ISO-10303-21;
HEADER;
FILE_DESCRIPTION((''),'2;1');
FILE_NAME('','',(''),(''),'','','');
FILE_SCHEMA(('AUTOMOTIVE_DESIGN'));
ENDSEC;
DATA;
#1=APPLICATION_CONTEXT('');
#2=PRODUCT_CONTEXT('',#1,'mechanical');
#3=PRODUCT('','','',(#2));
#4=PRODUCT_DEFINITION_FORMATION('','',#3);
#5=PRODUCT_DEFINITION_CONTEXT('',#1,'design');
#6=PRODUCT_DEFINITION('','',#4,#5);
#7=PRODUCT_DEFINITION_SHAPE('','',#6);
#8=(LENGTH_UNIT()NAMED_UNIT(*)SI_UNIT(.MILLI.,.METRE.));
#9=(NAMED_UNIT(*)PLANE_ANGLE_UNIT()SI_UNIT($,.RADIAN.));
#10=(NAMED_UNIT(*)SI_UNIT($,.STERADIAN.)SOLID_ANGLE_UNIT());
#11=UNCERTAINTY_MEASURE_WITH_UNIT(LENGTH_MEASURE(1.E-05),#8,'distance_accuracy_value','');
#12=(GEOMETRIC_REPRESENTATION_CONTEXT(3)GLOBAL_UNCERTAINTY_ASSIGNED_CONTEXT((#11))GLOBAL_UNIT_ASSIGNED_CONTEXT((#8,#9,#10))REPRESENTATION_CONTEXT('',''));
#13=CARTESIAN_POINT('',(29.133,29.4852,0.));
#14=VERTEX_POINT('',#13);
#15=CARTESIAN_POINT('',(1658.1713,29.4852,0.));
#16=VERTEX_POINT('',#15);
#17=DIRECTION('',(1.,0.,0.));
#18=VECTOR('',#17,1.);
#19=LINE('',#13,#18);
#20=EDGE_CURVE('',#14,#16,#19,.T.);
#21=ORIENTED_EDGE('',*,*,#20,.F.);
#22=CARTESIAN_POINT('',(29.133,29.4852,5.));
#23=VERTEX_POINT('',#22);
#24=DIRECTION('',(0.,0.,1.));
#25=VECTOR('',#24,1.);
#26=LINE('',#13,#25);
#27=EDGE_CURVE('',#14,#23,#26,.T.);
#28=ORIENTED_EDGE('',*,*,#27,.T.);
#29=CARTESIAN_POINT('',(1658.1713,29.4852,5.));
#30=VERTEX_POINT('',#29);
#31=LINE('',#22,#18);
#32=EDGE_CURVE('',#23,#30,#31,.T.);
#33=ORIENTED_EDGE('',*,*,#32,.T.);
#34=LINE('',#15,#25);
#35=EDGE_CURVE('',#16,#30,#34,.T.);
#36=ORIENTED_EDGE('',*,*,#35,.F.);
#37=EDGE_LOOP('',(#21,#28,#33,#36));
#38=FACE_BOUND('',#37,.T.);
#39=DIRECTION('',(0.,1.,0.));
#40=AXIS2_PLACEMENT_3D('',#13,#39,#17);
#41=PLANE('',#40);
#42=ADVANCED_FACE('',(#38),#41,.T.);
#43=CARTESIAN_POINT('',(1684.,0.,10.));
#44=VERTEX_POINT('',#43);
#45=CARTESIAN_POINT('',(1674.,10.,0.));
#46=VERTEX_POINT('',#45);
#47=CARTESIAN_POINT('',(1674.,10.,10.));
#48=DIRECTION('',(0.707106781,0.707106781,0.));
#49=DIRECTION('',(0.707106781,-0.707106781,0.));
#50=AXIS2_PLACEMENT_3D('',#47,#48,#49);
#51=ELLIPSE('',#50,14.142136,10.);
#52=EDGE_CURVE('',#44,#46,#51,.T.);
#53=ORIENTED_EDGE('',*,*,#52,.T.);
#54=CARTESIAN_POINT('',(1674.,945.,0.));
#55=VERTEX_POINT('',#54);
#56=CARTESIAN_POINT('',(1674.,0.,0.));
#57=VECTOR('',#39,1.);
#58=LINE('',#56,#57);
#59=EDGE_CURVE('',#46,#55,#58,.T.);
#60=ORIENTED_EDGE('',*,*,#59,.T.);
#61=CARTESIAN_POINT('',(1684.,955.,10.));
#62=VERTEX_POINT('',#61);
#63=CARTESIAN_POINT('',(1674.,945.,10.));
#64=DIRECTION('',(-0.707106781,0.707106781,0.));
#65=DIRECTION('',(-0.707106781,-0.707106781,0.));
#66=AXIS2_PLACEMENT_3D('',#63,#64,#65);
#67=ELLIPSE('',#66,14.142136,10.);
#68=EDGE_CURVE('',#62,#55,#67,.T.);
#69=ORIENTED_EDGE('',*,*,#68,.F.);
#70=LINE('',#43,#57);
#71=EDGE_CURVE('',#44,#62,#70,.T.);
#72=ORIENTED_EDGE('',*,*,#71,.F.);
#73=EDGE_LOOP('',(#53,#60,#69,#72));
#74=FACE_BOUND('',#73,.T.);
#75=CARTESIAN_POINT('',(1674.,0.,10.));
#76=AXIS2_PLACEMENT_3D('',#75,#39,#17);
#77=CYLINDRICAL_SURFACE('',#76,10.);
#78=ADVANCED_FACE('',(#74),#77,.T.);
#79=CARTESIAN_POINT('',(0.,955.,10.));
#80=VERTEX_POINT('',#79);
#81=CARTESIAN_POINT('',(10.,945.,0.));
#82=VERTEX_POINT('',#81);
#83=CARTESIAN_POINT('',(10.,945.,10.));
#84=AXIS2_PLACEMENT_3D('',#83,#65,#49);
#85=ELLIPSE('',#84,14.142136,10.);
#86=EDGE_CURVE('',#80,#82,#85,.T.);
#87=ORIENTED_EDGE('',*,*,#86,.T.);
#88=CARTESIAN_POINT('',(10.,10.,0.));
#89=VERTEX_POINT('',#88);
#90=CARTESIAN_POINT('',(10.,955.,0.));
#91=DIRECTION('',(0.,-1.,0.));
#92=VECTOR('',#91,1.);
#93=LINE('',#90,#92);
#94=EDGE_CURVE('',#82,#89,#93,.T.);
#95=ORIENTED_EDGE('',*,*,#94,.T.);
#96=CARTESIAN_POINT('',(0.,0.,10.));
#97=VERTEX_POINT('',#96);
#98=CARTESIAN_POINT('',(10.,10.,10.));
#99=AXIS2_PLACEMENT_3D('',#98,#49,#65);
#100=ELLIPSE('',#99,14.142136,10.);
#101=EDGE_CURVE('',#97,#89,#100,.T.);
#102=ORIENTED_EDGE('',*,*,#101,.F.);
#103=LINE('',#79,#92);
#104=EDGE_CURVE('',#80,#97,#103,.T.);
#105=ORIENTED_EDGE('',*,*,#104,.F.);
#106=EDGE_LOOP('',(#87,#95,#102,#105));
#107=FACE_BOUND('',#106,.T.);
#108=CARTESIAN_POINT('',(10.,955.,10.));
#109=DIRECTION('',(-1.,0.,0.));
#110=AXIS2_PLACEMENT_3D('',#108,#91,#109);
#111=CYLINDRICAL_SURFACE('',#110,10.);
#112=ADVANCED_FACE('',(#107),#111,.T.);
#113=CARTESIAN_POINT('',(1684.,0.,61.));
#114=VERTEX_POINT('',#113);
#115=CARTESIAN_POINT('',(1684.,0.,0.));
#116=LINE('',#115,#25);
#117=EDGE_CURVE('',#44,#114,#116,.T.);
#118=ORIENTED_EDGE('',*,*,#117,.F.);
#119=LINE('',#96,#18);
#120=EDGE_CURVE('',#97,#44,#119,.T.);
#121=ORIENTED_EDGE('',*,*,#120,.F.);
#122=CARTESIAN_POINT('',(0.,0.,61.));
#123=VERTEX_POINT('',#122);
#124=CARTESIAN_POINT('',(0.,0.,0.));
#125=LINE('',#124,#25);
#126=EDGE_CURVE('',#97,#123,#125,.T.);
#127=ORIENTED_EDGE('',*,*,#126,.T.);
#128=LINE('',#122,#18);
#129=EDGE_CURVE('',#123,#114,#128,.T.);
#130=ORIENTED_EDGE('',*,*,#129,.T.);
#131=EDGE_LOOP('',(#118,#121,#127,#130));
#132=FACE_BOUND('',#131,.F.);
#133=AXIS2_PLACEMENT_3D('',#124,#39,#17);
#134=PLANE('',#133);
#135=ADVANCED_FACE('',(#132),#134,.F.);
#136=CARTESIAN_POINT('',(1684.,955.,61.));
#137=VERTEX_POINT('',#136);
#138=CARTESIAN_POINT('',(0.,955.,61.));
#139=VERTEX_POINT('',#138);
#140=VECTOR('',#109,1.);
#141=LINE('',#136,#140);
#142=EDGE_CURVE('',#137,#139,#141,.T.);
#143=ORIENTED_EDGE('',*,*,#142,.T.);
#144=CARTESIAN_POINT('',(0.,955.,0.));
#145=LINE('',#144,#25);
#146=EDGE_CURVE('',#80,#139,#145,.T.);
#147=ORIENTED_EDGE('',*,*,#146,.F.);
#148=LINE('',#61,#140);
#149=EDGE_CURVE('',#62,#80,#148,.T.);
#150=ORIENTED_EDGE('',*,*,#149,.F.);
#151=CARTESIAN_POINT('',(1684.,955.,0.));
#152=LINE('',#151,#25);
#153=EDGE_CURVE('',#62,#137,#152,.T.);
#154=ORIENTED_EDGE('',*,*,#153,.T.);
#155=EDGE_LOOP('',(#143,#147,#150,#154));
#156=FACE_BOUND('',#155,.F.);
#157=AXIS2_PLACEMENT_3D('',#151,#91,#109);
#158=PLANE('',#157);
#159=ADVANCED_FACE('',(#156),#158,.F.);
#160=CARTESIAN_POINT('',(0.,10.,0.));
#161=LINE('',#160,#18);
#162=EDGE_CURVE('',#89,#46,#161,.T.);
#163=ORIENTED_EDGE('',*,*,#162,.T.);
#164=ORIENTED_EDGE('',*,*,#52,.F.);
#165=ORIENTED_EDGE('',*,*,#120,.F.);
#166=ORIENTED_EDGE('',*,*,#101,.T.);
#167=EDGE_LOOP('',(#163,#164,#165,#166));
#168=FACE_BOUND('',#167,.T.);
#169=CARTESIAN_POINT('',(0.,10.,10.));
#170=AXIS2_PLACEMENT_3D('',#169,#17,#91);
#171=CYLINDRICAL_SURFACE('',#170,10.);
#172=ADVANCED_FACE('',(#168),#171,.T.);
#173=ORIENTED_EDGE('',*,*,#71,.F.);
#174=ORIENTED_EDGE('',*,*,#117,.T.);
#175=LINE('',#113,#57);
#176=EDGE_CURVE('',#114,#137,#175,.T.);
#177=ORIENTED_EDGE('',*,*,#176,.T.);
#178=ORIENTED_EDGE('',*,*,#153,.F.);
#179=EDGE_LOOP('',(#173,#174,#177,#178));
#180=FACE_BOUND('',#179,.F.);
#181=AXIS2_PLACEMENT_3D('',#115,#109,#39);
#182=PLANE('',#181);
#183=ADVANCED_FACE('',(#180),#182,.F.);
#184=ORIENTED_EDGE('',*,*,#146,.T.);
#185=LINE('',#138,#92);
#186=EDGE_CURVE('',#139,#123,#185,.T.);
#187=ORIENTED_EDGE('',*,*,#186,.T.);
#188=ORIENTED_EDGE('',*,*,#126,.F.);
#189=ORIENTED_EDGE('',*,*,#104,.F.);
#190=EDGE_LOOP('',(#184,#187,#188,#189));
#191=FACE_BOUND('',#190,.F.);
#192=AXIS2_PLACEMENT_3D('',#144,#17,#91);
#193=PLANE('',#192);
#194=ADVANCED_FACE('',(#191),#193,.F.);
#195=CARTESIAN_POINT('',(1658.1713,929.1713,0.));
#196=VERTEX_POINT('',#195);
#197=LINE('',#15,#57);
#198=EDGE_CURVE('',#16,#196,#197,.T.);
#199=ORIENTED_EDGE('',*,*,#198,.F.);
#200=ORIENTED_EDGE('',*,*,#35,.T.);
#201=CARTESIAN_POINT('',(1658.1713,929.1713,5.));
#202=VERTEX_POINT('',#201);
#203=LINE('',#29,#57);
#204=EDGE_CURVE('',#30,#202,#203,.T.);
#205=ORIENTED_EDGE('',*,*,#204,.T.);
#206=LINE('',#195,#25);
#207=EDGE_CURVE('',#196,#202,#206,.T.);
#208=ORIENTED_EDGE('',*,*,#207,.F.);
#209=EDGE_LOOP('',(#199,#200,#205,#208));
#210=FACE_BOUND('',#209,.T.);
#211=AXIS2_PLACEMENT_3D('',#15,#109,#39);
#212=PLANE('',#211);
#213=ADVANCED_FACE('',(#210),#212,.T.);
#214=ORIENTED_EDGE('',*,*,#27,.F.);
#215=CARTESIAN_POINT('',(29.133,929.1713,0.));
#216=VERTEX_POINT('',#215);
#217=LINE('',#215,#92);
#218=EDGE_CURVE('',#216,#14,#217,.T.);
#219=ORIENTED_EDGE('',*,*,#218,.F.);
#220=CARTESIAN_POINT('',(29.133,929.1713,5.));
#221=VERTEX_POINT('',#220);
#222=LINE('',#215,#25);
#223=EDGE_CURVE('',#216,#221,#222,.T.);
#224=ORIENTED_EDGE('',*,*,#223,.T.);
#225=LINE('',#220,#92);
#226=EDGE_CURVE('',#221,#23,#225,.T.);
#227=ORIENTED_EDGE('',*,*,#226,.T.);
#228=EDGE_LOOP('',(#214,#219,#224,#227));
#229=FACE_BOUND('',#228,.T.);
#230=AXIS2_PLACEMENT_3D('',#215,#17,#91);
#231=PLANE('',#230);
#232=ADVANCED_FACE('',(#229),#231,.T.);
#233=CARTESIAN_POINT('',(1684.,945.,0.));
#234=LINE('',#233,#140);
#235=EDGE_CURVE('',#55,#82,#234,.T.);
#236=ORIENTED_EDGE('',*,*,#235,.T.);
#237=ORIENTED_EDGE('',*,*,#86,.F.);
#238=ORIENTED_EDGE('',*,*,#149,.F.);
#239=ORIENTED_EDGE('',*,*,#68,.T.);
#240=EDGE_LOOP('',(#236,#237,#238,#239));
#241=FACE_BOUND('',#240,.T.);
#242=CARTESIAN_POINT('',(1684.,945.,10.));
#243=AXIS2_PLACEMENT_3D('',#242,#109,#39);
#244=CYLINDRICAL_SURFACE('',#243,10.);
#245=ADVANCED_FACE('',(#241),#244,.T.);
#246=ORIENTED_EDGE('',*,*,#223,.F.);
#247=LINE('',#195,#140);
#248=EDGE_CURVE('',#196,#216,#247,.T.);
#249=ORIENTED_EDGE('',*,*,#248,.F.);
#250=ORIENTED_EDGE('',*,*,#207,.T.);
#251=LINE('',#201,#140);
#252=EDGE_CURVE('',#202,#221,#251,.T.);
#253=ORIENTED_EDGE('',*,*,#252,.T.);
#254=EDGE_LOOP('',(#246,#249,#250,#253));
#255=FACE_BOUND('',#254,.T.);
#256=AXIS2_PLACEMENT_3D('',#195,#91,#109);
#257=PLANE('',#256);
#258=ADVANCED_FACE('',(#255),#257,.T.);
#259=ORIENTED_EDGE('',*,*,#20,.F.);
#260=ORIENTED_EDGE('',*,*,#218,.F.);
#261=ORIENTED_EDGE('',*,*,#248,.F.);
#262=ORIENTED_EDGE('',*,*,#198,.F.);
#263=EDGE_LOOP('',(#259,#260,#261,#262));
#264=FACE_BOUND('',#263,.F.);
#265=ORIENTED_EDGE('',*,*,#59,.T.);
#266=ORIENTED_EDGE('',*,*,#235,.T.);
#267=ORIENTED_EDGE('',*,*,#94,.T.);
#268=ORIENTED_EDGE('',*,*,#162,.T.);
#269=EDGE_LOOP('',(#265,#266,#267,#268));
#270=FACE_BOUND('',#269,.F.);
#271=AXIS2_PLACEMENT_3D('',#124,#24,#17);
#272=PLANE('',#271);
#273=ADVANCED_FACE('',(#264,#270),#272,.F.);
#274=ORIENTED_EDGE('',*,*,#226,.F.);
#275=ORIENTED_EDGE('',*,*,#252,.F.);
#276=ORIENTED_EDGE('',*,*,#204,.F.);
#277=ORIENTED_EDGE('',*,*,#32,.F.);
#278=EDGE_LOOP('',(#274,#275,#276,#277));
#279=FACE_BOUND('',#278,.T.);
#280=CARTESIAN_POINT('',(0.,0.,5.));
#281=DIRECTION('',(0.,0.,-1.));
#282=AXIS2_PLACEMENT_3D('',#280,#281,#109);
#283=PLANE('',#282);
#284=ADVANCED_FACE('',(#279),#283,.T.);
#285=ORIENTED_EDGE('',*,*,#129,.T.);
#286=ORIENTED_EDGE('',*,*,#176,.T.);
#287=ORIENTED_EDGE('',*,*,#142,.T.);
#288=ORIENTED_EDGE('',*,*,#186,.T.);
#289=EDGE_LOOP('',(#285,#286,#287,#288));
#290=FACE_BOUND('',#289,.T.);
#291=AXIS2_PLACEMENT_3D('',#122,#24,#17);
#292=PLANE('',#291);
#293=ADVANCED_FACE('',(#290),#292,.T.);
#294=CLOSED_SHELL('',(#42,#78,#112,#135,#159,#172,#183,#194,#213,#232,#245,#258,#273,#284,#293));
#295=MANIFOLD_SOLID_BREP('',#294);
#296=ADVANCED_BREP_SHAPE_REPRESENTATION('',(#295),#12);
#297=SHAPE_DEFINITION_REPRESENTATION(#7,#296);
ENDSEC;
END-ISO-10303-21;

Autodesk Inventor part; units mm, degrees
ref_plane "YZ Plane" through (0, 0, 0) normal (1, 0, 0) x (0, 1, 0)
ref_plane "XZ Plane" through (0, 0, 0) normal (0, 1, 0) x (-1, 0, 0)
ref_plane "XY Plane" through (0, 0, 0) normal (0, 0, 1) x (1, 0, 0)
sketch "Sketch1" plane through (0, 0, 0) normal (0, 0, 1) x (1, 0, 0)
  line L0 (0, 0) -> (1684, 0)
  line L1 (1684, 0) -> (1684, 955)
  line L2 (1684, 955) -> (0, 955)
  line L3 (0, 955) -> (0, 0)
  dimension "d0" = 1684
  dimension "d1" = 955
extrude "Extrusion1" add sketch "Sketch1" along normal blind 61
fillet "Fillet1" radius 10 4 edges at (0, 477.5, 0) (842, 955, 0) (842, 0, 0) (1684, 477.5, 0)
sketch "Sketch2" plane through (0, 0, 0) normal (0, 0, -1) x (-1, 0, 0)
  point P0 (0, 0)
sketch "Sketch3" plane through (0, 0, 0) normal (0, 0, -1) x (-1, 0, 0)
  line L0 (-1658.1713, 929.1713) -> (-29.133, 929.1713)
  line L1 (-29.133, 929.1713) -> (-29.133, 29.4852)
  line L2 (-29.133, 29.4852) -> (-1658.1713, 29.4852)
  line L3 (-1658.1713, 29.4852) -> (-1658.1713, 929.1713)
  point P0 (0, 0)
extrude "Extrusion2" cut sketch "Sketch3" against normal blind 5
properties part number "TV"
